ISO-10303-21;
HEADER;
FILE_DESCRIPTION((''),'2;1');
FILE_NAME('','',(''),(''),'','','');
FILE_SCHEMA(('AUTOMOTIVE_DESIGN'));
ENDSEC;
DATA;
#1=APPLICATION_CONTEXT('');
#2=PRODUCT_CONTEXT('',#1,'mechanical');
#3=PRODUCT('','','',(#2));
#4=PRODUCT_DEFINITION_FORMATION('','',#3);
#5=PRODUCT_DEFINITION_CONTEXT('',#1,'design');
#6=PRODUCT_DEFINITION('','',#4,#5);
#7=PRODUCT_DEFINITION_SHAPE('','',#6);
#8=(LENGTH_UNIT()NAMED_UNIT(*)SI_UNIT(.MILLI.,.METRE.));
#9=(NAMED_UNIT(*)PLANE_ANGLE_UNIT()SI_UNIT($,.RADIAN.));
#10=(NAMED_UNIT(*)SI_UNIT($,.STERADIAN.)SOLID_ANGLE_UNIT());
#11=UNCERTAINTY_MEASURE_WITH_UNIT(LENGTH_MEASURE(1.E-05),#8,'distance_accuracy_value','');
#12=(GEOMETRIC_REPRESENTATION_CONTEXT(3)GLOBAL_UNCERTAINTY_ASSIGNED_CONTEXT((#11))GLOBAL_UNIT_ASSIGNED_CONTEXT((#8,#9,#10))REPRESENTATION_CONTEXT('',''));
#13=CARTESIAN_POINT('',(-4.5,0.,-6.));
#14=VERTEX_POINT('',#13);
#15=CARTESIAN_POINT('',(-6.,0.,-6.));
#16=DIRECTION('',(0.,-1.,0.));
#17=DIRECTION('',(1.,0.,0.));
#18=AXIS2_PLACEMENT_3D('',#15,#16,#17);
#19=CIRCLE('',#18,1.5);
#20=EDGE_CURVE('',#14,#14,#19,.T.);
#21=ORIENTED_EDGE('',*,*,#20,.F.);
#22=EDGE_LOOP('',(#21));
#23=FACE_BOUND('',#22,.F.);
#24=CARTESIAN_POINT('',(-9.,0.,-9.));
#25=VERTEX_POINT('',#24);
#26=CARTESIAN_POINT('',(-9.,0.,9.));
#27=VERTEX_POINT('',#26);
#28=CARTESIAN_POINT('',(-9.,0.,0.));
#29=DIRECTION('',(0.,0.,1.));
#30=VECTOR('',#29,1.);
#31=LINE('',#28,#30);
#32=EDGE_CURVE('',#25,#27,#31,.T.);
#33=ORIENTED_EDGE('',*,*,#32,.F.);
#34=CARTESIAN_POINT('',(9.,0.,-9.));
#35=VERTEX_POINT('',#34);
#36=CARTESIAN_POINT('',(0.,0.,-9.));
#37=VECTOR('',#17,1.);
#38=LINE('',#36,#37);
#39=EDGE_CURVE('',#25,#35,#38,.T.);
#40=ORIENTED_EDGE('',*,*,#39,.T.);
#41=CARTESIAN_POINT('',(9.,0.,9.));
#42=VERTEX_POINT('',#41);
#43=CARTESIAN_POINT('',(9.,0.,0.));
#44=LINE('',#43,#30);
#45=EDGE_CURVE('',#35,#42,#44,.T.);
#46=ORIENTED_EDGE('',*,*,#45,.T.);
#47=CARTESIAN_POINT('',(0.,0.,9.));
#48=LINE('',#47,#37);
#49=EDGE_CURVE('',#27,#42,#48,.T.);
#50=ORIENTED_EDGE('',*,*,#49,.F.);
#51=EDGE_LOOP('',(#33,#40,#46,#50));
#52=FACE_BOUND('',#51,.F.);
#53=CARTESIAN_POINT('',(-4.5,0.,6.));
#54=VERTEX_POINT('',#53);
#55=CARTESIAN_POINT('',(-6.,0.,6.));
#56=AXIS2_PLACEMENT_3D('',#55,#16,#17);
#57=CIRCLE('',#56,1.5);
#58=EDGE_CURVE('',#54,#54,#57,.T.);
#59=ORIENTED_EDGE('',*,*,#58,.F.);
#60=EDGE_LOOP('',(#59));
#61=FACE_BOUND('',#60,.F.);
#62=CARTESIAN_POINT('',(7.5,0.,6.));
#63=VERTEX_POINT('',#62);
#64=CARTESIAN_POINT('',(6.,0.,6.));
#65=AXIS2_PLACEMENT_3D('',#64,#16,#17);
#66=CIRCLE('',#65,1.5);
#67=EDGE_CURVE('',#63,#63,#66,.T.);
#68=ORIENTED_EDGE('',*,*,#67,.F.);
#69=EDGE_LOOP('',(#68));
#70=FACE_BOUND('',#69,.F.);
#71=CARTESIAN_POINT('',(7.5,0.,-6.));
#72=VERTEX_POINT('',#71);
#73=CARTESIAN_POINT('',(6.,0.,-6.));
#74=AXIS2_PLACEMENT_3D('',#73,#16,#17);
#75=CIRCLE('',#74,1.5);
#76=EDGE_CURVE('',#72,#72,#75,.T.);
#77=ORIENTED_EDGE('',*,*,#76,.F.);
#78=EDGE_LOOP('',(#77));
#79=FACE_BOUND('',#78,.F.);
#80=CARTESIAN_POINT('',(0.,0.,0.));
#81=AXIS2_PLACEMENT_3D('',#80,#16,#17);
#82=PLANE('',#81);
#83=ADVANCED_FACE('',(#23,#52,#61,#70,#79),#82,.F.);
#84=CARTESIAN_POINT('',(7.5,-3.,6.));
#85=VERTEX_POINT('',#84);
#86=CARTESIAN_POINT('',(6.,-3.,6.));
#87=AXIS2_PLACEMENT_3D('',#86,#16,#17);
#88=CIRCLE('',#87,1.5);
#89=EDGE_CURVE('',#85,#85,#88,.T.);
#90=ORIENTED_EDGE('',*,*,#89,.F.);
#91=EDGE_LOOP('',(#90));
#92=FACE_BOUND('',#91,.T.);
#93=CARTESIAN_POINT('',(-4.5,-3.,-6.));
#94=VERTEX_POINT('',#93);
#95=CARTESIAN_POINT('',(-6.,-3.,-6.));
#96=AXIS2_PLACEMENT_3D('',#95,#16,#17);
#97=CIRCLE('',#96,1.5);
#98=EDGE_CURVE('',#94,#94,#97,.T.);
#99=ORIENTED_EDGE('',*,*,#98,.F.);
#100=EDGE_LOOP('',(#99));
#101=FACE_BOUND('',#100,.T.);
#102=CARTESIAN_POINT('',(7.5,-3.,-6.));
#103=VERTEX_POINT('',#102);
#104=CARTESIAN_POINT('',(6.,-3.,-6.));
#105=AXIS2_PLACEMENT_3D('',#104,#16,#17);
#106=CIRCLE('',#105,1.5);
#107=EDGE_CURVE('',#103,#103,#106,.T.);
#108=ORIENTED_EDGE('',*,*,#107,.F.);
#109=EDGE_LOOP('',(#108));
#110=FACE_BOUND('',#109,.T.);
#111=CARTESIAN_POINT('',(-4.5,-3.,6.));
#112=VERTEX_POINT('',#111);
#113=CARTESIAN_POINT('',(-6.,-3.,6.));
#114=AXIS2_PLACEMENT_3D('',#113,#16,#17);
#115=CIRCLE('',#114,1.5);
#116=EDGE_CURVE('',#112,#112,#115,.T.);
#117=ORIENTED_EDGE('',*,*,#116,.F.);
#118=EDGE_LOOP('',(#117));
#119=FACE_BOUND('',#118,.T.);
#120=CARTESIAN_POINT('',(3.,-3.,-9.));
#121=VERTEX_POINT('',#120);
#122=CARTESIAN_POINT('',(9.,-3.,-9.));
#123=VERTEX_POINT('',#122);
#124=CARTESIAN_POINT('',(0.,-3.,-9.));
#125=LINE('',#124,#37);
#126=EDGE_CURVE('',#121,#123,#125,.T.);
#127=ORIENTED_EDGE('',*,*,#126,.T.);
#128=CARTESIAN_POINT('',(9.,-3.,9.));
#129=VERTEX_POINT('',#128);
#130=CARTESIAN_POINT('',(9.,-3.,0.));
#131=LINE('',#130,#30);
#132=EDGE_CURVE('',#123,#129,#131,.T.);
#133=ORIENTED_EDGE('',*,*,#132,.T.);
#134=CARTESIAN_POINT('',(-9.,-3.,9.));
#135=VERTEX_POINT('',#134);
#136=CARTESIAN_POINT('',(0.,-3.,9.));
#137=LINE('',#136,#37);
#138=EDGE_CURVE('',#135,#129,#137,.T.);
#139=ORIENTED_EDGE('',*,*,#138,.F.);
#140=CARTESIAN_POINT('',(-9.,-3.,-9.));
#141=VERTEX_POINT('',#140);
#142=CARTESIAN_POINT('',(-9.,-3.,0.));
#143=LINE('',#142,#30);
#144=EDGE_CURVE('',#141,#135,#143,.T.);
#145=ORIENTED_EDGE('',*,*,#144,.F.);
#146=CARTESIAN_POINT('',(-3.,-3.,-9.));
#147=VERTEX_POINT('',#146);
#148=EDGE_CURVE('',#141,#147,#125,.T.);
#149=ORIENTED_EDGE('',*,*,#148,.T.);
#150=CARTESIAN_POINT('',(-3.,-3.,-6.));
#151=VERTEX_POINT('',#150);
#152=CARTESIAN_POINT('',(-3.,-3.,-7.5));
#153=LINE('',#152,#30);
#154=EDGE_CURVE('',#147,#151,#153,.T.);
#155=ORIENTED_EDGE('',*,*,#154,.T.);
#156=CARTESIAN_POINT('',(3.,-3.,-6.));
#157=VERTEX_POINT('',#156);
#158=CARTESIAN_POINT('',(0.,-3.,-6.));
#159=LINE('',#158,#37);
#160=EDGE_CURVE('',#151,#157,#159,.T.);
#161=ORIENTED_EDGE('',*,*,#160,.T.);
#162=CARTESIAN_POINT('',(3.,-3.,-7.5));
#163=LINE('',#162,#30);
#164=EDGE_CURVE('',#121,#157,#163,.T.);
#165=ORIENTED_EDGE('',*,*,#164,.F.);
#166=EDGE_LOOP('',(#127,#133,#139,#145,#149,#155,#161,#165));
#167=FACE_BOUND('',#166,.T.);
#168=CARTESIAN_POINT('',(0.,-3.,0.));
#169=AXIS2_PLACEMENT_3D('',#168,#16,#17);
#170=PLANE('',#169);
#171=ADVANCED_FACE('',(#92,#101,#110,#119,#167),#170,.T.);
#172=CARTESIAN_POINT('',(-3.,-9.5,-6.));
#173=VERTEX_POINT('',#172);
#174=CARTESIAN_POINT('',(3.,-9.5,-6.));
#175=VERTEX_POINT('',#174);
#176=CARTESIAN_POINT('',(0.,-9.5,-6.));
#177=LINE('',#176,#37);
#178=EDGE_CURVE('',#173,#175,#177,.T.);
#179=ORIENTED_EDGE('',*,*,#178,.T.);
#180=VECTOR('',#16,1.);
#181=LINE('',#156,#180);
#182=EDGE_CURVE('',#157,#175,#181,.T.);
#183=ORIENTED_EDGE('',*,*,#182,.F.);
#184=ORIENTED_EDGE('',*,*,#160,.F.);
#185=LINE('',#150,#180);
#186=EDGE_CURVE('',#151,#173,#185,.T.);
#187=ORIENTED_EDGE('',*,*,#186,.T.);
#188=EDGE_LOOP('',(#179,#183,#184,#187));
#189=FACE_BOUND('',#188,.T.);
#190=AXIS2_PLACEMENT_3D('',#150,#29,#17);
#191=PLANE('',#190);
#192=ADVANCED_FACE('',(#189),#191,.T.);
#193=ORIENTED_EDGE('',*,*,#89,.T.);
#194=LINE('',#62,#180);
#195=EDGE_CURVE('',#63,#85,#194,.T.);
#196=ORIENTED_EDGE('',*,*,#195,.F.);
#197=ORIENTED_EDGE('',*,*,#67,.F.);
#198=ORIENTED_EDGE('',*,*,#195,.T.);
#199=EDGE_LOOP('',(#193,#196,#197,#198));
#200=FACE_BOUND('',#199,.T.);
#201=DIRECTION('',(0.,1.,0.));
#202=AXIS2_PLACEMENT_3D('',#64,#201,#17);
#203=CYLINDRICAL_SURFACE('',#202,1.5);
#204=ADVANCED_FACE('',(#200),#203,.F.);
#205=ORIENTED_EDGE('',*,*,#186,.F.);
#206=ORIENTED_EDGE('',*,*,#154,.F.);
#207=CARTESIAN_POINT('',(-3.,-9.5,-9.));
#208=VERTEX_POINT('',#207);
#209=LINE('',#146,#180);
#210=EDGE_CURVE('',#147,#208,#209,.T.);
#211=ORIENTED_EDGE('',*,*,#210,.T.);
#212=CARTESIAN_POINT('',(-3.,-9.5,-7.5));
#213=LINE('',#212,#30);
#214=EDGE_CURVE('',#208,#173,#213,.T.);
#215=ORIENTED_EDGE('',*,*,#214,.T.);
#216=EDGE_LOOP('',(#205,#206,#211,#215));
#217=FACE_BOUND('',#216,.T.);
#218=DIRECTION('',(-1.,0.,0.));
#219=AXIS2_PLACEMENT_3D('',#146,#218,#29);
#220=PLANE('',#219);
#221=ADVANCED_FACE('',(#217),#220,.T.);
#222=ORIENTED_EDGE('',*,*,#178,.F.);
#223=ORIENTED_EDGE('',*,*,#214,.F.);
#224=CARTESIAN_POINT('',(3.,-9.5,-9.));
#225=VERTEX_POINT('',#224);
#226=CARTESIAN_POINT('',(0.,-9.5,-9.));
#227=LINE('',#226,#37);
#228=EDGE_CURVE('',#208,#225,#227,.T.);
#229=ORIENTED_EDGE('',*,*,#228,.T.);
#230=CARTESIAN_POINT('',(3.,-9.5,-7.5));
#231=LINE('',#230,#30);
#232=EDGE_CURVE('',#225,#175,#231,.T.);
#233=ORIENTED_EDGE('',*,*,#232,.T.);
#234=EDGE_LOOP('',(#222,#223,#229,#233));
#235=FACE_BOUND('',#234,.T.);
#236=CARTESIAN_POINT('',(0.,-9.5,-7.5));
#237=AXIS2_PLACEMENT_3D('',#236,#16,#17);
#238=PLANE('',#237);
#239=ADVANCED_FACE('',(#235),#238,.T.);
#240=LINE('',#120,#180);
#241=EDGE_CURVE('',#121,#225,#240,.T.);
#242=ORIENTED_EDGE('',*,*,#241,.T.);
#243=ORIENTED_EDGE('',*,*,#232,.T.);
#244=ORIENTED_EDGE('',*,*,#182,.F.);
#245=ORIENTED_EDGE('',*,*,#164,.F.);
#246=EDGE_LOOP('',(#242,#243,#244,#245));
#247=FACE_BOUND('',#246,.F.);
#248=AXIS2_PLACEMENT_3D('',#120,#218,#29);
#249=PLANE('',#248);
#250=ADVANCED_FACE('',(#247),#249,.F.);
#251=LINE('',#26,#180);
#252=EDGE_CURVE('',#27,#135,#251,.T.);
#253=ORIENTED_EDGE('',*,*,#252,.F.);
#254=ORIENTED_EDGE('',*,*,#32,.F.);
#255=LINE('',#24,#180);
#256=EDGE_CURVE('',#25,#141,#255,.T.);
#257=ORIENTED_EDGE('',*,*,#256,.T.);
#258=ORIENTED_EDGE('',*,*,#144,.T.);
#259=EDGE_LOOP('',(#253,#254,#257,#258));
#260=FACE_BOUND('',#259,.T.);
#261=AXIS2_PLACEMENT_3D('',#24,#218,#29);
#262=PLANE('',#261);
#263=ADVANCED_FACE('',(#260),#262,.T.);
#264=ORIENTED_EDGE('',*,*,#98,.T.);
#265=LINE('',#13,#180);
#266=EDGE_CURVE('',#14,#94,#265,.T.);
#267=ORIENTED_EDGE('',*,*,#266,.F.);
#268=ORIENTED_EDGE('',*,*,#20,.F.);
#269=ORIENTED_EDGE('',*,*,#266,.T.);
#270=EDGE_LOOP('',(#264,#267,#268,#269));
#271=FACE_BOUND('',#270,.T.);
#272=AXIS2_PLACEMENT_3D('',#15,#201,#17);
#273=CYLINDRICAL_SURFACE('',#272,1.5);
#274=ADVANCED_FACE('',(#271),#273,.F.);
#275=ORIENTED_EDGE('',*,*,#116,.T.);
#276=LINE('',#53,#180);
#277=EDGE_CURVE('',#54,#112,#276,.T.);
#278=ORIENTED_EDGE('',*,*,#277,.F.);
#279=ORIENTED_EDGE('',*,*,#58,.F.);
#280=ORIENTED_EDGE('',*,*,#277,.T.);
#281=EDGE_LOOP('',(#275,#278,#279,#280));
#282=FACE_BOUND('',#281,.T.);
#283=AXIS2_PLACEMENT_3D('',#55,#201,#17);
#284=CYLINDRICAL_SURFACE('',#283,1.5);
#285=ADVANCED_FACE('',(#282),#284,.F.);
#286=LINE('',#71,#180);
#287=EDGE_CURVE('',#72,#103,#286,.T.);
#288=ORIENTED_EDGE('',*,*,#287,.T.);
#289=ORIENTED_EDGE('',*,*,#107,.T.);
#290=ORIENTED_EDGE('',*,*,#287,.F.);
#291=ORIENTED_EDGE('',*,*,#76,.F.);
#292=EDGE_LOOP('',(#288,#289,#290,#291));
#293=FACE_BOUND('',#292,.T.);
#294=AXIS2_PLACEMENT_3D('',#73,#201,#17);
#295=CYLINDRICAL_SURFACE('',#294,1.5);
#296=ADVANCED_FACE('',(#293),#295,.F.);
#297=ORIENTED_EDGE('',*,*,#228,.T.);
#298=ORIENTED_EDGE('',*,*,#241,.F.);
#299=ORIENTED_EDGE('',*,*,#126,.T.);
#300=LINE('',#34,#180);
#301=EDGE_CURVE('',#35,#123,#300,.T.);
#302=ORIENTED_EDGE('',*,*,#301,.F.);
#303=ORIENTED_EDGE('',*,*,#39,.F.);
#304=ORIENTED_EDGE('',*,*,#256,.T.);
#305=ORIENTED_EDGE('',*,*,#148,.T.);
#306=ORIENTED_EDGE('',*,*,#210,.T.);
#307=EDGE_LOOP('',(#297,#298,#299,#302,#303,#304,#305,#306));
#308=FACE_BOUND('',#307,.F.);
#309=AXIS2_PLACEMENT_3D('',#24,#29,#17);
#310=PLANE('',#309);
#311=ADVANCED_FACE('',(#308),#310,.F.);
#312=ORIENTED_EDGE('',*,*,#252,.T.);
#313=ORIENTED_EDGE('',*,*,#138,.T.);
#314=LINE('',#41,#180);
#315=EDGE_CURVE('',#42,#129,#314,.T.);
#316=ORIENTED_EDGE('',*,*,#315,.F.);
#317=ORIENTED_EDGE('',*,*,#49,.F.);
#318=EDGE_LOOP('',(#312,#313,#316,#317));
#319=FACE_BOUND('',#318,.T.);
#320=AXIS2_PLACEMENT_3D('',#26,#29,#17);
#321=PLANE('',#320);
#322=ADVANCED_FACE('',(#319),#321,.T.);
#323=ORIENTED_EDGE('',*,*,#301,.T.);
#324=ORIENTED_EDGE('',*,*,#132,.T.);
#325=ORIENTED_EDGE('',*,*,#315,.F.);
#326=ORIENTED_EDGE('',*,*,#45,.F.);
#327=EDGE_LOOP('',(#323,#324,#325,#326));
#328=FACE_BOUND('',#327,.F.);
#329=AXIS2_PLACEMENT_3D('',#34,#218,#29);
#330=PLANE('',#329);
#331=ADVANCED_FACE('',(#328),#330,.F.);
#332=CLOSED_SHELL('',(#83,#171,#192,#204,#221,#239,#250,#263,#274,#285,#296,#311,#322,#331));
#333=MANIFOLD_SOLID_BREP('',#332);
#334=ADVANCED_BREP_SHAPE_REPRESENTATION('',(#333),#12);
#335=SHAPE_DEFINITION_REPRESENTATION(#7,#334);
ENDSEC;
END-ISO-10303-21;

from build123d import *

# Parameters (mm, degrees)
F0_W     = 18
F0_H     = 18
F0_R     = 1.5
F1_DEPTH = 3
F2_W     = 6
F2_H     = 3
F3_DEPTH = 6.5


with BuildPart() as f1:
    # F0 (on Front) → F1 (new body)
    with BuildSketch(Plane.XZ):
        Rectangle(F0_W, F0_H)
        with Locations((-6, -6)):
            Circle(F0_R, mode=Mode.SUBTRACT)
        with Locations((6, -6)):
            Circle(F0_R, mode=Mode.SUBTRACT)
        with Locations((-6, 6)):
            Circle(F0_R, mode=Mode.SUBTRACT)
        with Locations((6, 6)):
            Circle(F0_R, mode=Mode.SUBTRACT)
    extrude(amount=F1_DEPTH)

    # F2 (on face) → F3 (join)
    with BuildSketch(Plane.XZ.offset(3)):
        with Locations((0, -7.5)):
            Rectangle(F2_W, F2_H)
    extrude(amount=F3_DEPTH)


solid = f1.part
